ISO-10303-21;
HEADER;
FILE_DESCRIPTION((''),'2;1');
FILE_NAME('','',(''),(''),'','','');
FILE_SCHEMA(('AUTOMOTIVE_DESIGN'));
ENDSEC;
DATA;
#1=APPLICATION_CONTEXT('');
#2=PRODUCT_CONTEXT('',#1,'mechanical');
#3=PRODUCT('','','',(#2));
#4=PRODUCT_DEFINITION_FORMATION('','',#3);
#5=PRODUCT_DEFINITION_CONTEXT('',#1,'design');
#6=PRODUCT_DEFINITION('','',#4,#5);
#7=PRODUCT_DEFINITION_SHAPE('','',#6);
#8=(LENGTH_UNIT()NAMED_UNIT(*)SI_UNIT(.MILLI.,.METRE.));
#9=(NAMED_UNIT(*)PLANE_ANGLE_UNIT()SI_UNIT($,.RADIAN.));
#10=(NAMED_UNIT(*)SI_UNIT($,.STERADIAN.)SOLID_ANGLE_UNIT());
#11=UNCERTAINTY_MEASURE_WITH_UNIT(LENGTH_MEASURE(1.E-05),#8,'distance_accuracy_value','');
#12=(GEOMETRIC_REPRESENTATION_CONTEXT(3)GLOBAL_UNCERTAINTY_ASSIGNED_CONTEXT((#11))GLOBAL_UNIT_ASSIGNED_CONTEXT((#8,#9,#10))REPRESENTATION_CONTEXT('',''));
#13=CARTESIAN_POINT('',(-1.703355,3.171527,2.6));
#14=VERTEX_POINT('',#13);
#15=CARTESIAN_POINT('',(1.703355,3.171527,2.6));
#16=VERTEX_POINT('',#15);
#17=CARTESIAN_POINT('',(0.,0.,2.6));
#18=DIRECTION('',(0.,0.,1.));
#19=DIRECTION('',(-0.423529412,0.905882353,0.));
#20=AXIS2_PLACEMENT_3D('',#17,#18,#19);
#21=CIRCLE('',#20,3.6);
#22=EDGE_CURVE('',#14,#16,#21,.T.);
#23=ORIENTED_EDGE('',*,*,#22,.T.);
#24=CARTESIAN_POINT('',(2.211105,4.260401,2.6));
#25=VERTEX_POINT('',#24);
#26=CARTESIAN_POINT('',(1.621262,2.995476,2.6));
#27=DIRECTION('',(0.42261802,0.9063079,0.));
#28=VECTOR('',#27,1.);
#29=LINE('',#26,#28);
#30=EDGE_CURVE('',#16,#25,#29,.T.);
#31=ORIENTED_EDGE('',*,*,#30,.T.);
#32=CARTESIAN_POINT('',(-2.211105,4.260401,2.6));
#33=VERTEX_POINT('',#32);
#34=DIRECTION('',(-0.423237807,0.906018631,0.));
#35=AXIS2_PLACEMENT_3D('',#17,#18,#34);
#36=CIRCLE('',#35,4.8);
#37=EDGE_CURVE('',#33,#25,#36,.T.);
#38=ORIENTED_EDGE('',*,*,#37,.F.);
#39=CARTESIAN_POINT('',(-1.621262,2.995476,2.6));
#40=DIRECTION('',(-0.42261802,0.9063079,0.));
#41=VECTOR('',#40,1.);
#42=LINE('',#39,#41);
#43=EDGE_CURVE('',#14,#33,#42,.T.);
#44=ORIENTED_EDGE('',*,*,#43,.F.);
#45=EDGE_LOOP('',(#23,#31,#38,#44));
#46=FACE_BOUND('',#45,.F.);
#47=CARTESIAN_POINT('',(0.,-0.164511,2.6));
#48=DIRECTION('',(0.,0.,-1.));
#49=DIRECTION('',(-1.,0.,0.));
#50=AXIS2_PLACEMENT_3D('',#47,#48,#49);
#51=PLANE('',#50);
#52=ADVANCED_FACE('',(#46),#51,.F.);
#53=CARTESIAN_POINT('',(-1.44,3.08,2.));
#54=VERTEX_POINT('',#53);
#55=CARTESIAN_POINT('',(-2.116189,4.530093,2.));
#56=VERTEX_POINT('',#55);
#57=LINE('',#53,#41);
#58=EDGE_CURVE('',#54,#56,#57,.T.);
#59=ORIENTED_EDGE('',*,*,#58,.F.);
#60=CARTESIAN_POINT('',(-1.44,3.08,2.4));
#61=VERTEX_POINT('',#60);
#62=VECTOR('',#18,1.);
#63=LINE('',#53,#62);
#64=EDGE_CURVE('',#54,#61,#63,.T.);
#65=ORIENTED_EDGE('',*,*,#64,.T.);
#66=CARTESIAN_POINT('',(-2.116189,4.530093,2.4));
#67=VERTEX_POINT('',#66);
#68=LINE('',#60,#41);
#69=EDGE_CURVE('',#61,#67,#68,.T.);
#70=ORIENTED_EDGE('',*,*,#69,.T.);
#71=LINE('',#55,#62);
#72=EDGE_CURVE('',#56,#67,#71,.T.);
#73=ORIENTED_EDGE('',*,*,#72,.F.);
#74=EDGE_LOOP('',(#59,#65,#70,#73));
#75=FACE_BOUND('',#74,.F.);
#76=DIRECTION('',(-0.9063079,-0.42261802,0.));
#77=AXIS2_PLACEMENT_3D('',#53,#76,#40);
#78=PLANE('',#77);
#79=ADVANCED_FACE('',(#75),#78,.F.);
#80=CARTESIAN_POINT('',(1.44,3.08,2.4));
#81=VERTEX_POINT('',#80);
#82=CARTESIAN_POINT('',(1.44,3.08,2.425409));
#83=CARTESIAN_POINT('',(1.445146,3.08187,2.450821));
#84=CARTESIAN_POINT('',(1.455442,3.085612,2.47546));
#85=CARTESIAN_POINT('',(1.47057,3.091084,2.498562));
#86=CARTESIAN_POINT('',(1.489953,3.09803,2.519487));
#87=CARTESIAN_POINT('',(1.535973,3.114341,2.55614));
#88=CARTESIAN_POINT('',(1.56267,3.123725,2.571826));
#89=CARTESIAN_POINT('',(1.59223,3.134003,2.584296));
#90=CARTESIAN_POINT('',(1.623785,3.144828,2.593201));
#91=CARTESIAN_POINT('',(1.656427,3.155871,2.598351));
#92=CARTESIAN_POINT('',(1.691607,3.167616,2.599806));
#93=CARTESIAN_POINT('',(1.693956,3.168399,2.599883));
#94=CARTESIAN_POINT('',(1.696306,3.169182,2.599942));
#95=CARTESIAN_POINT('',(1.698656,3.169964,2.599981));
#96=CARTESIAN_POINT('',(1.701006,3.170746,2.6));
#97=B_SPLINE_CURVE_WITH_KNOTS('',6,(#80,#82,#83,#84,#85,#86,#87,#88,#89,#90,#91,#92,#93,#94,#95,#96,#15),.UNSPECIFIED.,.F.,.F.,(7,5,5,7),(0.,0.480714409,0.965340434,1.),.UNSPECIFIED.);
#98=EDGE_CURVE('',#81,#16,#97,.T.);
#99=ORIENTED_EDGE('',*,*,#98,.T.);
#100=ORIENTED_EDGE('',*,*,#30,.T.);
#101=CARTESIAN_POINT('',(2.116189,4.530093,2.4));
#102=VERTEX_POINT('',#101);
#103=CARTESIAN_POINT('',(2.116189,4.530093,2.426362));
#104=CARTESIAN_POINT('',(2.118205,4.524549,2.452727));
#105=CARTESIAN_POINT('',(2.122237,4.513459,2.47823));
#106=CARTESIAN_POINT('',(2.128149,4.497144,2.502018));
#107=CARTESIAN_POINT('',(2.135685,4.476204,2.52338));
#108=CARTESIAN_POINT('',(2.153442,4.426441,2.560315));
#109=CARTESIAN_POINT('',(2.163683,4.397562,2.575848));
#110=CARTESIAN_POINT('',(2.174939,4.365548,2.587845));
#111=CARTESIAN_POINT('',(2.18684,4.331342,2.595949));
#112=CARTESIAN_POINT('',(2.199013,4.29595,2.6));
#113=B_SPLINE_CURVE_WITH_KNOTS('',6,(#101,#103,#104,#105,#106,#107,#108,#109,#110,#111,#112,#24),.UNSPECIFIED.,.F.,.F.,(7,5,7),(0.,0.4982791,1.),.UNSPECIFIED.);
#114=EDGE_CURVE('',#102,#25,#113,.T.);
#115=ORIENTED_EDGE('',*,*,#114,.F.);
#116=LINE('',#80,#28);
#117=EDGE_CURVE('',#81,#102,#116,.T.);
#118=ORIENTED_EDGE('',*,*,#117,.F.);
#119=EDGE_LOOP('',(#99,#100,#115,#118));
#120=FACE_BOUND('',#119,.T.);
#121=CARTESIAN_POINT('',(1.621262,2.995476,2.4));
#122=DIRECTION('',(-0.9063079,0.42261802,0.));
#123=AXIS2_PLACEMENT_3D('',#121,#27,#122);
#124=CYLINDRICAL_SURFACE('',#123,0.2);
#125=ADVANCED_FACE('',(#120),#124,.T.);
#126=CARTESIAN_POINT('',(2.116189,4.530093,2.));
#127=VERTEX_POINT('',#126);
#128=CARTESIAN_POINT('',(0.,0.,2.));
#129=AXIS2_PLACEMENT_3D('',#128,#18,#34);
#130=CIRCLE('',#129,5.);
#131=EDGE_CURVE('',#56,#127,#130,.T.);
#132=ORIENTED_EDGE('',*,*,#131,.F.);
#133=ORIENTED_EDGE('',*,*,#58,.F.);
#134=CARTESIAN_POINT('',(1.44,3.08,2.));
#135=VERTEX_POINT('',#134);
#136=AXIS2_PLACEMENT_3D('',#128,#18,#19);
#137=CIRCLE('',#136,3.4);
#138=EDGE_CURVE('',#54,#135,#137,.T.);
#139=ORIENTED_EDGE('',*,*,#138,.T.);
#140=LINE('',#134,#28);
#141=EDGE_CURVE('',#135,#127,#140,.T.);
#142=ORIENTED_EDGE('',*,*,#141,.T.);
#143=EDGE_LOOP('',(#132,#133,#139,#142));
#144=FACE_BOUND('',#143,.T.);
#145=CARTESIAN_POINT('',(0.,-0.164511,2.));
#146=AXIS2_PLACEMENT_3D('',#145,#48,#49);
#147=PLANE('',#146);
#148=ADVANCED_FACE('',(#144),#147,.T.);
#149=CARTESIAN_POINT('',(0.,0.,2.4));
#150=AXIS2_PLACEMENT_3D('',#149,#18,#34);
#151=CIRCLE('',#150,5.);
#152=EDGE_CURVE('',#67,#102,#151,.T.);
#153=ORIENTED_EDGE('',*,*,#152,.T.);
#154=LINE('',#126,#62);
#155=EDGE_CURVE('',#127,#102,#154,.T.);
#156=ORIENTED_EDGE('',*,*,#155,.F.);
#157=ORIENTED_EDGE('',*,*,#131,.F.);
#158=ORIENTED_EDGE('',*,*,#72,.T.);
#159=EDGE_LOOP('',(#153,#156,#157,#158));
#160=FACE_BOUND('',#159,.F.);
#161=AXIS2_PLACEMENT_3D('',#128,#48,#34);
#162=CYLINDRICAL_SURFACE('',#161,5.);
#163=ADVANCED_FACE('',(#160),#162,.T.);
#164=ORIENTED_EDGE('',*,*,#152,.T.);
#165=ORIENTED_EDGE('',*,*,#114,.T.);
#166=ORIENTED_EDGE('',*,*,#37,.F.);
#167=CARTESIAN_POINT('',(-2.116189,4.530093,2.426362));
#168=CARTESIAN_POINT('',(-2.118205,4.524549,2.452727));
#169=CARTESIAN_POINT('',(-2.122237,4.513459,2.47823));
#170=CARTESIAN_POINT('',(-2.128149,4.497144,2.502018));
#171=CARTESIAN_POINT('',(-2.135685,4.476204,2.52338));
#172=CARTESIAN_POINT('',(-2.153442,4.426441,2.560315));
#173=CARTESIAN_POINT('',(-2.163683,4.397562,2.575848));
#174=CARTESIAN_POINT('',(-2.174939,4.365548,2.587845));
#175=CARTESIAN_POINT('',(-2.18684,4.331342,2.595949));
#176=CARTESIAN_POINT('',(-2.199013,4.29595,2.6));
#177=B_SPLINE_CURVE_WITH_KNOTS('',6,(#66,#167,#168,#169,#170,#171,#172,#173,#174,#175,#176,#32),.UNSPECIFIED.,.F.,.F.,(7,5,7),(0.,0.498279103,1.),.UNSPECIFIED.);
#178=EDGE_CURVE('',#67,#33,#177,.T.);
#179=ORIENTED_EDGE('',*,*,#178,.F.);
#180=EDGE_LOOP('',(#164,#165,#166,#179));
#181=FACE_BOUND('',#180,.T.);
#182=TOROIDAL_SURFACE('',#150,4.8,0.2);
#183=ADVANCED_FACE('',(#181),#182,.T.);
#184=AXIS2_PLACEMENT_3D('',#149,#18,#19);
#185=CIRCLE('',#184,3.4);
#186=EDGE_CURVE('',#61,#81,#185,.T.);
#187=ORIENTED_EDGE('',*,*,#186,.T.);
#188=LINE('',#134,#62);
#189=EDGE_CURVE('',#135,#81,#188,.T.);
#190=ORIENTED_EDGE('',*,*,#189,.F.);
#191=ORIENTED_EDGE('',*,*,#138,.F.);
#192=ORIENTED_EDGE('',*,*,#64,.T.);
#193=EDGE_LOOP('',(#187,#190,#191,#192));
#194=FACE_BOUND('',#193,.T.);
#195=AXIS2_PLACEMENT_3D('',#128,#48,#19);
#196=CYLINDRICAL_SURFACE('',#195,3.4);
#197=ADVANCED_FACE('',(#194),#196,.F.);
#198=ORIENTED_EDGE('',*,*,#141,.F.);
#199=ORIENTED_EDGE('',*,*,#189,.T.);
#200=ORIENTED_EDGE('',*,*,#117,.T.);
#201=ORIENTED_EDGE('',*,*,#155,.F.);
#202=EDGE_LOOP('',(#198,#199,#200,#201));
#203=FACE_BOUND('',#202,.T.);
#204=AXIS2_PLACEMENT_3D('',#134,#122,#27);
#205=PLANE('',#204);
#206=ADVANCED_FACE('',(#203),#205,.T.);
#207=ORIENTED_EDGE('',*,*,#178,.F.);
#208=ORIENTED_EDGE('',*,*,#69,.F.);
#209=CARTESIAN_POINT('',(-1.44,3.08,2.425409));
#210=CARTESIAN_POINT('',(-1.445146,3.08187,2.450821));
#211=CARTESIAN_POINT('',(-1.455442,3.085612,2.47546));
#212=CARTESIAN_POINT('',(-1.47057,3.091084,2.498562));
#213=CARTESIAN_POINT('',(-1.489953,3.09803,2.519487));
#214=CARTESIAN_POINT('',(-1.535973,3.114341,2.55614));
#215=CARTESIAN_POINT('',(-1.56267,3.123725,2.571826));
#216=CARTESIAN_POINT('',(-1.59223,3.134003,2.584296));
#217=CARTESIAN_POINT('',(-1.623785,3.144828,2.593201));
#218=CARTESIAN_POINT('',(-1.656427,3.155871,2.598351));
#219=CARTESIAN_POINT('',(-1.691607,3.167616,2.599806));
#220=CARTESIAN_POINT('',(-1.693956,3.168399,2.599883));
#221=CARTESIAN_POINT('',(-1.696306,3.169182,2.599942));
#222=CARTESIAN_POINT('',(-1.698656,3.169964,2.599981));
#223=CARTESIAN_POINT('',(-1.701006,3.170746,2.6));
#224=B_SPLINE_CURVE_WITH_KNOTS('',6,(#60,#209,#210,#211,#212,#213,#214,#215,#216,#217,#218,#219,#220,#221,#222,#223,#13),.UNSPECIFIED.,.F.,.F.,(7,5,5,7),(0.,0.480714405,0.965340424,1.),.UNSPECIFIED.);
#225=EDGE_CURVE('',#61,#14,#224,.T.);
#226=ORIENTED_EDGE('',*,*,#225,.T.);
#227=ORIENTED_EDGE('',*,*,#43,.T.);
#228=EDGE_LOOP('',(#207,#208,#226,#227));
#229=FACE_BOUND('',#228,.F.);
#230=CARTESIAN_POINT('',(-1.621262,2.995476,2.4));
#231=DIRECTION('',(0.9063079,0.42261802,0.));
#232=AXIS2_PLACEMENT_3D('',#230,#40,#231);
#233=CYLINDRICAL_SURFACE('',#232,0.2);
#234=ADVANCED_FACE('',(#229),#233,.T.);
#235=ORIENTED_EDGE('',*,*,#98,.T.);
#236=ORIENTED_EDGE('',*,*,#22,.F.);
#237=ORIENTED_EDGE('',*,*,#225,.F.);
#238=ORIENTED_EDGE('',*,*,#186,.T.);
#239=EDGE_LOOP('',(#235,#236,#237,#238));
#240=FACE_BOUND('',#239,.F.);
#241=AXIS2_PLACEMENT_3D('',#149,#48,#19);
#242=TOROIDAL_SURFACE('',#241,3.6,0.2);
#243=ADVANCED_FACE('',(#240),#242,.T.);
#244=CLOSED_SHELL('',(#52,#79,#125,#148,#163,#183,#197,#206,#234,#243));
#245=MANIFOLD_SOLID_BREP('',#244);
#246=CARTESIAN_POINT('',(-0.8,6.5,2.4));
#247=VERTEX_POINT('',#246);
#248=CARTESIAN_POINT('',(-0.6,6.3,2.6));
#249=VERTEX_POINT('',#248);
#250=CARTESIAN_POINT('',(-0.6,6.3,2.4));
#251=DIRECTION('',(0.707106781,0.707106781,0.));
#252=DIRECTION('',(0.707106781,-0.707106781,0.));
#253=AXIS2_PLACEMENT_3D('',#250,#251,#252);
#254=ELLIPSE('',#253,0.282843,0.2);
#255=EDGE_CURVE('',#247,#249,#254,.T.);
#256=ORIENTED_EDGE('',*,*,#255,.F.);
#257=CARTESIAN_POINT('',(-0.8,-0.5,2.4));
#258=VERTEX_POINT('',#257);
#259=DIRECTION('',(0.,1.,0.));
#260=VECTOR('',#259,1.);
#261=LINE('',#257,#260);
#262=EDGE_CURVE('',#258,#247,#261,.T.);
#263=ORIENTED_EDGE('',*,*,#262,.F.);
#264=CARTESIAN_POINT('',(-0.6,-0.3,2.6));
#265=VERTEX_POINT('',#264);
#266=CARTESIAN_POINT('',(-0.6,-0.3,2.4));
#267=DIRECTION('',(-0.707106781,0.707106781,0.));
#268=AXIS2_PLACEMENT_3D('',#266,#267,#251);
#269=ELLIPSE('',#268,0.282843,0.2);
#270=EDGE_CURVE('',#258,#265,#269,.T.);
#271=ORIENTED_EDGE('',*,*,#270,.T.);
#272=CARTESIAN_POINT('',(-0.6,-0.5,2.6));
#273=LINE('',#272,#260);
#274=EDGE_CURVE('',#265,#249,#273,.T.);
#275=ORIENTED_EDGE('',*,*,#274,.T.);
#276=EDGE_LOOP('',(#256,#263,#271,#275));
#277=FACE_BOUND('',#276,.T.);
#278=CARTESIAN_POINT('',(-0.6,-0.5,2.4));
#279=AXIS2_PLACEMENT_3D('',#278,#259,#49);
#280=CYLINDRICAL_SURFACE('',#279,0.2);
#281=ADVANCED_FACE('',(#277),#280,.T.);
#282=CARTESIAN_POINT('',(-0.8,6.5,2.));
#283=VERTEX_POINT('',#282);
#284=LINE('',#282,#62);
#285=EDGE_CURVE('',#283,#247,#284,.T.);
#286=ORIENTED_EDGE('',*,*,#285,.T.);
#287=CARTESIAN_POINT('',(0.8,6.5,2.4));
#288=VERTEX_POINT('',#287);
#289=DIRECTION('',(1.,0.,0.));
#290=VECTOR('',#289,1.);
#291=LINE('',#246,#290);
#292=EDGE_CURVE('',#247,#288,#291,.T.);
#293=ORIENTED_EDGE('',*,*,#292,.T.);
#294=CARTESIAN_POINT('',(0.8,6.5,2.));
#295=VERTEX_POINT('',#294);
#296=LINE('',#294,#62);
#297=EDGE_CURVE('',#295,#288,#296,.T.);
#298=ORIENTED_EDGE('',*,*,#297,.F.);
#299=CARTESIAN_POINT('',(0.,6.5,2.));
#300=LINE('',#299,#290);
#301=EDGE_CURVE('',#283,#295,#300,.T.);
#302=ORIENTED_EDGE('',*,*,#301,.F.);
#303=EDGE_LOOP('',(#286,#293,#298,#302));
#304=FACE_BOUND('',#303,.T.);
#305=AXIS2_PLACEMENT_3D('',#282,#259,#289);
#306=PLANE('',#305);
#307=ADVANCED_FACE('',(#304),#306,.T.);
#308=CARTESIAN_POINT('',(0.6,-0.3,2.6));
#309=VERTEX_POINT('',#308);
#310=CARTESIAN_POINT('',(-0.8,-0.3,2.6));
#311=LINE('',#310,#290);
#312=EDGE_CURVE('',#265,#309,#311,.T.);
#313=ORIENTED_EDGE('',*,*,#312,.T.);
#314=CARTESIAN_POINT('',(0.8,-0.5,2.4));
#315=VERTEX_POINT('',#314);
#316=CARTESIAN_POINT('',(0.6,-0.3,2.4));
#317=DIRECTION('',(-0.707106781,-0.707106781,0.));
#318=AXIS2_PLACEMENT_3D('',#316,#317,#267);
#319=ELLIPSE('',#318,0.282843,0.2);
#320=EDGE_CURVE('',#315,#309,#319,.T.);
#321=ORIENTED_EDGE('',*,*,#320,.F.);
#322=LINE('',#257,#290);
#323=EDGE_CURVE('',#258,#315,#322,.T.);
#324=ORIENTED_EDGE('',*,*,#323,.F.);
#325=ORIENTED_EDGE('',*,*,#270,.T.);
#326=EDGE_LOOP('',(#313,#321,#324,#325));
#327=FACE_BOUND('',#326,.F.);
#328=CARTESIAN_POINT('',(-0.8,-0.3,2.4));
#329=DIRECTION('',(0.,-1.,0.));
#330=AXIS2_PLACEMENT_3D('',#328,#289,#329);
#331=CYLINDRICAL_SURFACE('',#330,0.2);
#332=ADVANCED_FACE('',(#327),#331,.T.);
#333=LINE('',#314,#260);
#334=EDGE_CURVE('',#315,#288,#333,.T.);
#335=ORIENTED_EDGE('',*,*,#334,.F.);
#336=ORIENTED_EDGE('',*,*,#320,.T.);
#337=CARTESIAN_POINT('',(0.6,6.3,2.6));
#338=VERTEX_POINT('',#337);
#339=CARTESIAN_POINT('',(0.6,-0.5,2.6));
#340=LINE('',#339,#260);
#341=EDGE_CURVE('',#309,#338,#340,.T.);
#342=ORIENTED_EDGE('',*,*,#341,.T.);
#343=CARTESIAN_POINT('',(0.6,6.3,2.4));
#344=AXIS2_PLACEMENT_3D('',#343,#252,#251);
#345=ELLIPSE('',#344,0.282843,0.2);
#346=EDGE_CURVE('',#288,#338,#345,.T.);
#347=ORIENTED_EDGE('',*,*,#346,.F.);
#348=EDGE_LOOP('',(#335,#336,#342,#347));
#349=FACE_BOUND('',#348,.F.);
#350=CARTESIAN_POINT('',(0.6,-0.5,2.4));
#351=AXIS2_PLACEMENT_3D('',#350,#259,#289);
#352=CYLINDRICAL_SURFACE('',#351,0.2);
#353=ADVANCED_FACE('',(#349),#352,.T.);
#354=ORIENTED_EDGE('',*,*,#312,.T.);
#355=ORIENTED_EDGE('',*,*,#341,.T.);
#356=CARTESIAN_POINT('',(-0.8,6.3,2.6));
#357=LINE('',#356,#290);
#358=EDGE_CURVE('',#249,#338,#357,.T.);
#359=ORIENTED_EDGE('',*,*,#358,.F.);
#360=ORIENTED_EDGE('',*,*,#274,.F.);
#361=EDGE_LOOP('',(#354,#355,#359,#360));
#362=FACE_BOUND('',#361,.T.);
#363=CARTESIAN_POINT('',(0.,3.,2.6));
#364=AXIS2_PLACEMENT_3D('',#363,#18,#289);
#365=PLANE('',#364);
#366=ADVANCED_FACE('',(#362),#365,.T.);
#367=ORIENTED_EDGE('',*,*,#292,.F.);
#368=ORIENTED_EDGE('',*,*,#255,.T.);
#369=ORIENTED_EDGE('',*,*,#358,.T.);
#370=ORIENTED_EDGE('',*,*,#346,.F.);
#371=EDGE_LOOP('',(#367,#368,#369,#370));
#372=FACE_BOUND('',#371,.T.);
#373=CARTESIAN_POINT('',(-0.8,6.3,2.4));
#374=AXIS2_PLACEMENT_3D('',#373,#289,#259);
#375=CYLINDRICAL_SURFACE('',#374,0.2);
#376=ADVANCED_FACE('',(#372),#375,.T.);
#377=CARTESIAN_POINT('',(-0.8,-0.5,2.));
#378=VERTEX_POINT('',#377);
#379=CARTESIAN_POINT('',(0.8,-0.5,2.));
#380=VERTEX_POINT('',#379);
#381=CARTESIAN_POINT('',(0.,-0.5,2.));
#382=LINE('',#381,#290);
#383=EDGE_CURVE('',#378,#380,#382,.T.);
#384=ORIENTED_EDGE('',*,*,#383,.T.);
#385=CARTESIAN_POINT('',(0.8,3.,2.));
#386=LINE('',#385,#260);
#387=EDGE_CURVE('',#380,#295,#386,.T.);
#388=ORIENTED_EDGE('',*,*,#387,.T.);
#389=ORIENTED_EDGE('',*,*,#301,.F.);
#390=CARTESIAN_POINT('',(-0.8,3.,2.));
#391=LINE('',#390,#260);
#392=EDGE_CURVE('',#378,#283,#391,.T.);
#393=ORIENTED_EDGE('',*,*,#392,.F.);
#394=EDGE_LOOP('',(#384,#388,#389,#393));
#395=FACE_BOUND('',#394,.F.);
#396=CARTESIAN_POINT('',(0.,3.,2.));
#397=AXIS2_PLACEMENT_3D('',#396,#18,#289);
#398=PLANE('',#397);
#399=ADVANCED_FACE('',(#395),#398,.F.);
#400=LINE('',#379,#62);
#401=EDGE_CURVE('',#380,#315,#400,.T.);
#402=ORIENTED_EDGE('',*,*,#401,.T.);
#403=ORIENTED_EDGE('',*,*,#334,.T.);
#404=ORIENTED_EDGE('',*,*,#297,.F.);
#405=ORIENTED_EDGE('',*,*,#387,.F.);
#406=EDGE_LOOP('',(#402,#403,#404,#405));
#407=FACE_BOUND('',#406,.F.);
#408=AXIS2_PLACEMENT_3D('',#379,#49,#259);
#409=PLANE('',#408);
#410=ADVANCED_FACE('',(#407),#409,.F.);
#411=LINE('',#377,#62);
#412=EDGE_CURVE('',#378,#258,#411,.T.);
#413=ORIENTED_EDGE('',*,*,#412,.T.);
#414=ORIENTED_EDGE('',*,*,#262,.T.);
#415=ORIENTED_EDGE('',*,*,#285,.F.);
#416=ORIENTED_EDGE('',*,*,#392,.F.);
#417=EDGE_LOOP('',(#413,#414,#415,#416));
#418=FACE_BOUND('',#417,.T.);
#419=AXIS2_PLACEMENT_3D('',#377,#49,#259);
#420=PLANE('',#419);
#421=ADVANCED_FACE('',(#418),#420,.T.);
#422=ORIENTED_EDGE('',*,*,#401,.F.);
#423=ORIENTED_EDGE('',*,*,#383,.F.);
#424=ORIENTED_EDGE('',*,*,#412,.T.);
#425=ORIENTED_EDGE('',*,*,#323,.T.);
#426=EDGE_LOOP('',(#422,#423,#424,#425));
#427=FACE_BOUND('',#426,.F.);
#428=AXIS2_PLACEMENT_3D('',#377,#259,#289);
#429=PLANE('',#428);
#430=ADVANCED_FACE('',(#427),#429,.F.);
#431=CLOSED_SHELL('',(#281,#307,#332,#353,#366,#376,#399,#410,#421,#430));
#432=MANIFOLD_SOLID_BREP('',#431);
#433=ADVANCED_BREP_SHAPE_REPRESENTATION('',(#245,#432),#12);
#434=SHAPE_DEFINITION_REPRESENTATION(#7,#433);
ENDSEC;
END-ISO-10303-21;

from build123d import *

# Parameters (mm, degrees)
PAD012_DEPTH = 0.6
SKETCH021_W  = 1.6
SKETCH021_H  = 7
PAD013_DEPTH = 0.6
FILLET007_R  = 0.2


with BuildPart() as bild_power_ring:
    # Sketch019 → Pad012 (new body)
    with BuildSketch(Plane.XY):
        with BuildLine():
            Line((-0.56, 3.08), (0.116189, 4.530093))
            ThreePointArc((-4.116189, 4.530093), (-2, -5), (0.116189, 4.530093))
            Line((-3.44, 3.08), (-4.116189, 4.530093))
            ThreePointArc((-3.44, 3.08), (-2, -3.4), (-0.56, 3.08))
        make_face()
    extrude(amount=PAD012_DEPTH)


with BuildPart() as bild_power_ring_1:
    # Body014 placement: moved
    add(bild_power_ring.part.moved(Location((2, 0, 2))))


with BuildPart() as bild_power:
    # Sketch021 → Pad013 (new body)
    with BuildSketch(Plane.XY.offset(2)):
        with Locations((0, 3)):
            Rectangle(SKETCH021_W, SKETCH021_H)
    extrude(amount=PAD013_DEPTH)

    # Fusion005: union Bild Power Ring
    add(bild_power_ring_1.part)

    # Fillet007
    fillet007_edges = [bild_power.edges().sort_by_distance(p)[0] for p in [
        (0, 6.5, 2.6),
        (0.8, 3, 2.6),
        (0, -0.5, 2.6),
        (-0.8, 3, 2.6),
        (0, -3.4, 2.6),
        (1.778095, 3.805046, 2.6),
        (0, -5, 2.6),
        (-1.778095, 3.805046, 2.6),
    ]]
    fillet(fillet007_edges, radius=FILLET007_R)


solid = bild_power.part
